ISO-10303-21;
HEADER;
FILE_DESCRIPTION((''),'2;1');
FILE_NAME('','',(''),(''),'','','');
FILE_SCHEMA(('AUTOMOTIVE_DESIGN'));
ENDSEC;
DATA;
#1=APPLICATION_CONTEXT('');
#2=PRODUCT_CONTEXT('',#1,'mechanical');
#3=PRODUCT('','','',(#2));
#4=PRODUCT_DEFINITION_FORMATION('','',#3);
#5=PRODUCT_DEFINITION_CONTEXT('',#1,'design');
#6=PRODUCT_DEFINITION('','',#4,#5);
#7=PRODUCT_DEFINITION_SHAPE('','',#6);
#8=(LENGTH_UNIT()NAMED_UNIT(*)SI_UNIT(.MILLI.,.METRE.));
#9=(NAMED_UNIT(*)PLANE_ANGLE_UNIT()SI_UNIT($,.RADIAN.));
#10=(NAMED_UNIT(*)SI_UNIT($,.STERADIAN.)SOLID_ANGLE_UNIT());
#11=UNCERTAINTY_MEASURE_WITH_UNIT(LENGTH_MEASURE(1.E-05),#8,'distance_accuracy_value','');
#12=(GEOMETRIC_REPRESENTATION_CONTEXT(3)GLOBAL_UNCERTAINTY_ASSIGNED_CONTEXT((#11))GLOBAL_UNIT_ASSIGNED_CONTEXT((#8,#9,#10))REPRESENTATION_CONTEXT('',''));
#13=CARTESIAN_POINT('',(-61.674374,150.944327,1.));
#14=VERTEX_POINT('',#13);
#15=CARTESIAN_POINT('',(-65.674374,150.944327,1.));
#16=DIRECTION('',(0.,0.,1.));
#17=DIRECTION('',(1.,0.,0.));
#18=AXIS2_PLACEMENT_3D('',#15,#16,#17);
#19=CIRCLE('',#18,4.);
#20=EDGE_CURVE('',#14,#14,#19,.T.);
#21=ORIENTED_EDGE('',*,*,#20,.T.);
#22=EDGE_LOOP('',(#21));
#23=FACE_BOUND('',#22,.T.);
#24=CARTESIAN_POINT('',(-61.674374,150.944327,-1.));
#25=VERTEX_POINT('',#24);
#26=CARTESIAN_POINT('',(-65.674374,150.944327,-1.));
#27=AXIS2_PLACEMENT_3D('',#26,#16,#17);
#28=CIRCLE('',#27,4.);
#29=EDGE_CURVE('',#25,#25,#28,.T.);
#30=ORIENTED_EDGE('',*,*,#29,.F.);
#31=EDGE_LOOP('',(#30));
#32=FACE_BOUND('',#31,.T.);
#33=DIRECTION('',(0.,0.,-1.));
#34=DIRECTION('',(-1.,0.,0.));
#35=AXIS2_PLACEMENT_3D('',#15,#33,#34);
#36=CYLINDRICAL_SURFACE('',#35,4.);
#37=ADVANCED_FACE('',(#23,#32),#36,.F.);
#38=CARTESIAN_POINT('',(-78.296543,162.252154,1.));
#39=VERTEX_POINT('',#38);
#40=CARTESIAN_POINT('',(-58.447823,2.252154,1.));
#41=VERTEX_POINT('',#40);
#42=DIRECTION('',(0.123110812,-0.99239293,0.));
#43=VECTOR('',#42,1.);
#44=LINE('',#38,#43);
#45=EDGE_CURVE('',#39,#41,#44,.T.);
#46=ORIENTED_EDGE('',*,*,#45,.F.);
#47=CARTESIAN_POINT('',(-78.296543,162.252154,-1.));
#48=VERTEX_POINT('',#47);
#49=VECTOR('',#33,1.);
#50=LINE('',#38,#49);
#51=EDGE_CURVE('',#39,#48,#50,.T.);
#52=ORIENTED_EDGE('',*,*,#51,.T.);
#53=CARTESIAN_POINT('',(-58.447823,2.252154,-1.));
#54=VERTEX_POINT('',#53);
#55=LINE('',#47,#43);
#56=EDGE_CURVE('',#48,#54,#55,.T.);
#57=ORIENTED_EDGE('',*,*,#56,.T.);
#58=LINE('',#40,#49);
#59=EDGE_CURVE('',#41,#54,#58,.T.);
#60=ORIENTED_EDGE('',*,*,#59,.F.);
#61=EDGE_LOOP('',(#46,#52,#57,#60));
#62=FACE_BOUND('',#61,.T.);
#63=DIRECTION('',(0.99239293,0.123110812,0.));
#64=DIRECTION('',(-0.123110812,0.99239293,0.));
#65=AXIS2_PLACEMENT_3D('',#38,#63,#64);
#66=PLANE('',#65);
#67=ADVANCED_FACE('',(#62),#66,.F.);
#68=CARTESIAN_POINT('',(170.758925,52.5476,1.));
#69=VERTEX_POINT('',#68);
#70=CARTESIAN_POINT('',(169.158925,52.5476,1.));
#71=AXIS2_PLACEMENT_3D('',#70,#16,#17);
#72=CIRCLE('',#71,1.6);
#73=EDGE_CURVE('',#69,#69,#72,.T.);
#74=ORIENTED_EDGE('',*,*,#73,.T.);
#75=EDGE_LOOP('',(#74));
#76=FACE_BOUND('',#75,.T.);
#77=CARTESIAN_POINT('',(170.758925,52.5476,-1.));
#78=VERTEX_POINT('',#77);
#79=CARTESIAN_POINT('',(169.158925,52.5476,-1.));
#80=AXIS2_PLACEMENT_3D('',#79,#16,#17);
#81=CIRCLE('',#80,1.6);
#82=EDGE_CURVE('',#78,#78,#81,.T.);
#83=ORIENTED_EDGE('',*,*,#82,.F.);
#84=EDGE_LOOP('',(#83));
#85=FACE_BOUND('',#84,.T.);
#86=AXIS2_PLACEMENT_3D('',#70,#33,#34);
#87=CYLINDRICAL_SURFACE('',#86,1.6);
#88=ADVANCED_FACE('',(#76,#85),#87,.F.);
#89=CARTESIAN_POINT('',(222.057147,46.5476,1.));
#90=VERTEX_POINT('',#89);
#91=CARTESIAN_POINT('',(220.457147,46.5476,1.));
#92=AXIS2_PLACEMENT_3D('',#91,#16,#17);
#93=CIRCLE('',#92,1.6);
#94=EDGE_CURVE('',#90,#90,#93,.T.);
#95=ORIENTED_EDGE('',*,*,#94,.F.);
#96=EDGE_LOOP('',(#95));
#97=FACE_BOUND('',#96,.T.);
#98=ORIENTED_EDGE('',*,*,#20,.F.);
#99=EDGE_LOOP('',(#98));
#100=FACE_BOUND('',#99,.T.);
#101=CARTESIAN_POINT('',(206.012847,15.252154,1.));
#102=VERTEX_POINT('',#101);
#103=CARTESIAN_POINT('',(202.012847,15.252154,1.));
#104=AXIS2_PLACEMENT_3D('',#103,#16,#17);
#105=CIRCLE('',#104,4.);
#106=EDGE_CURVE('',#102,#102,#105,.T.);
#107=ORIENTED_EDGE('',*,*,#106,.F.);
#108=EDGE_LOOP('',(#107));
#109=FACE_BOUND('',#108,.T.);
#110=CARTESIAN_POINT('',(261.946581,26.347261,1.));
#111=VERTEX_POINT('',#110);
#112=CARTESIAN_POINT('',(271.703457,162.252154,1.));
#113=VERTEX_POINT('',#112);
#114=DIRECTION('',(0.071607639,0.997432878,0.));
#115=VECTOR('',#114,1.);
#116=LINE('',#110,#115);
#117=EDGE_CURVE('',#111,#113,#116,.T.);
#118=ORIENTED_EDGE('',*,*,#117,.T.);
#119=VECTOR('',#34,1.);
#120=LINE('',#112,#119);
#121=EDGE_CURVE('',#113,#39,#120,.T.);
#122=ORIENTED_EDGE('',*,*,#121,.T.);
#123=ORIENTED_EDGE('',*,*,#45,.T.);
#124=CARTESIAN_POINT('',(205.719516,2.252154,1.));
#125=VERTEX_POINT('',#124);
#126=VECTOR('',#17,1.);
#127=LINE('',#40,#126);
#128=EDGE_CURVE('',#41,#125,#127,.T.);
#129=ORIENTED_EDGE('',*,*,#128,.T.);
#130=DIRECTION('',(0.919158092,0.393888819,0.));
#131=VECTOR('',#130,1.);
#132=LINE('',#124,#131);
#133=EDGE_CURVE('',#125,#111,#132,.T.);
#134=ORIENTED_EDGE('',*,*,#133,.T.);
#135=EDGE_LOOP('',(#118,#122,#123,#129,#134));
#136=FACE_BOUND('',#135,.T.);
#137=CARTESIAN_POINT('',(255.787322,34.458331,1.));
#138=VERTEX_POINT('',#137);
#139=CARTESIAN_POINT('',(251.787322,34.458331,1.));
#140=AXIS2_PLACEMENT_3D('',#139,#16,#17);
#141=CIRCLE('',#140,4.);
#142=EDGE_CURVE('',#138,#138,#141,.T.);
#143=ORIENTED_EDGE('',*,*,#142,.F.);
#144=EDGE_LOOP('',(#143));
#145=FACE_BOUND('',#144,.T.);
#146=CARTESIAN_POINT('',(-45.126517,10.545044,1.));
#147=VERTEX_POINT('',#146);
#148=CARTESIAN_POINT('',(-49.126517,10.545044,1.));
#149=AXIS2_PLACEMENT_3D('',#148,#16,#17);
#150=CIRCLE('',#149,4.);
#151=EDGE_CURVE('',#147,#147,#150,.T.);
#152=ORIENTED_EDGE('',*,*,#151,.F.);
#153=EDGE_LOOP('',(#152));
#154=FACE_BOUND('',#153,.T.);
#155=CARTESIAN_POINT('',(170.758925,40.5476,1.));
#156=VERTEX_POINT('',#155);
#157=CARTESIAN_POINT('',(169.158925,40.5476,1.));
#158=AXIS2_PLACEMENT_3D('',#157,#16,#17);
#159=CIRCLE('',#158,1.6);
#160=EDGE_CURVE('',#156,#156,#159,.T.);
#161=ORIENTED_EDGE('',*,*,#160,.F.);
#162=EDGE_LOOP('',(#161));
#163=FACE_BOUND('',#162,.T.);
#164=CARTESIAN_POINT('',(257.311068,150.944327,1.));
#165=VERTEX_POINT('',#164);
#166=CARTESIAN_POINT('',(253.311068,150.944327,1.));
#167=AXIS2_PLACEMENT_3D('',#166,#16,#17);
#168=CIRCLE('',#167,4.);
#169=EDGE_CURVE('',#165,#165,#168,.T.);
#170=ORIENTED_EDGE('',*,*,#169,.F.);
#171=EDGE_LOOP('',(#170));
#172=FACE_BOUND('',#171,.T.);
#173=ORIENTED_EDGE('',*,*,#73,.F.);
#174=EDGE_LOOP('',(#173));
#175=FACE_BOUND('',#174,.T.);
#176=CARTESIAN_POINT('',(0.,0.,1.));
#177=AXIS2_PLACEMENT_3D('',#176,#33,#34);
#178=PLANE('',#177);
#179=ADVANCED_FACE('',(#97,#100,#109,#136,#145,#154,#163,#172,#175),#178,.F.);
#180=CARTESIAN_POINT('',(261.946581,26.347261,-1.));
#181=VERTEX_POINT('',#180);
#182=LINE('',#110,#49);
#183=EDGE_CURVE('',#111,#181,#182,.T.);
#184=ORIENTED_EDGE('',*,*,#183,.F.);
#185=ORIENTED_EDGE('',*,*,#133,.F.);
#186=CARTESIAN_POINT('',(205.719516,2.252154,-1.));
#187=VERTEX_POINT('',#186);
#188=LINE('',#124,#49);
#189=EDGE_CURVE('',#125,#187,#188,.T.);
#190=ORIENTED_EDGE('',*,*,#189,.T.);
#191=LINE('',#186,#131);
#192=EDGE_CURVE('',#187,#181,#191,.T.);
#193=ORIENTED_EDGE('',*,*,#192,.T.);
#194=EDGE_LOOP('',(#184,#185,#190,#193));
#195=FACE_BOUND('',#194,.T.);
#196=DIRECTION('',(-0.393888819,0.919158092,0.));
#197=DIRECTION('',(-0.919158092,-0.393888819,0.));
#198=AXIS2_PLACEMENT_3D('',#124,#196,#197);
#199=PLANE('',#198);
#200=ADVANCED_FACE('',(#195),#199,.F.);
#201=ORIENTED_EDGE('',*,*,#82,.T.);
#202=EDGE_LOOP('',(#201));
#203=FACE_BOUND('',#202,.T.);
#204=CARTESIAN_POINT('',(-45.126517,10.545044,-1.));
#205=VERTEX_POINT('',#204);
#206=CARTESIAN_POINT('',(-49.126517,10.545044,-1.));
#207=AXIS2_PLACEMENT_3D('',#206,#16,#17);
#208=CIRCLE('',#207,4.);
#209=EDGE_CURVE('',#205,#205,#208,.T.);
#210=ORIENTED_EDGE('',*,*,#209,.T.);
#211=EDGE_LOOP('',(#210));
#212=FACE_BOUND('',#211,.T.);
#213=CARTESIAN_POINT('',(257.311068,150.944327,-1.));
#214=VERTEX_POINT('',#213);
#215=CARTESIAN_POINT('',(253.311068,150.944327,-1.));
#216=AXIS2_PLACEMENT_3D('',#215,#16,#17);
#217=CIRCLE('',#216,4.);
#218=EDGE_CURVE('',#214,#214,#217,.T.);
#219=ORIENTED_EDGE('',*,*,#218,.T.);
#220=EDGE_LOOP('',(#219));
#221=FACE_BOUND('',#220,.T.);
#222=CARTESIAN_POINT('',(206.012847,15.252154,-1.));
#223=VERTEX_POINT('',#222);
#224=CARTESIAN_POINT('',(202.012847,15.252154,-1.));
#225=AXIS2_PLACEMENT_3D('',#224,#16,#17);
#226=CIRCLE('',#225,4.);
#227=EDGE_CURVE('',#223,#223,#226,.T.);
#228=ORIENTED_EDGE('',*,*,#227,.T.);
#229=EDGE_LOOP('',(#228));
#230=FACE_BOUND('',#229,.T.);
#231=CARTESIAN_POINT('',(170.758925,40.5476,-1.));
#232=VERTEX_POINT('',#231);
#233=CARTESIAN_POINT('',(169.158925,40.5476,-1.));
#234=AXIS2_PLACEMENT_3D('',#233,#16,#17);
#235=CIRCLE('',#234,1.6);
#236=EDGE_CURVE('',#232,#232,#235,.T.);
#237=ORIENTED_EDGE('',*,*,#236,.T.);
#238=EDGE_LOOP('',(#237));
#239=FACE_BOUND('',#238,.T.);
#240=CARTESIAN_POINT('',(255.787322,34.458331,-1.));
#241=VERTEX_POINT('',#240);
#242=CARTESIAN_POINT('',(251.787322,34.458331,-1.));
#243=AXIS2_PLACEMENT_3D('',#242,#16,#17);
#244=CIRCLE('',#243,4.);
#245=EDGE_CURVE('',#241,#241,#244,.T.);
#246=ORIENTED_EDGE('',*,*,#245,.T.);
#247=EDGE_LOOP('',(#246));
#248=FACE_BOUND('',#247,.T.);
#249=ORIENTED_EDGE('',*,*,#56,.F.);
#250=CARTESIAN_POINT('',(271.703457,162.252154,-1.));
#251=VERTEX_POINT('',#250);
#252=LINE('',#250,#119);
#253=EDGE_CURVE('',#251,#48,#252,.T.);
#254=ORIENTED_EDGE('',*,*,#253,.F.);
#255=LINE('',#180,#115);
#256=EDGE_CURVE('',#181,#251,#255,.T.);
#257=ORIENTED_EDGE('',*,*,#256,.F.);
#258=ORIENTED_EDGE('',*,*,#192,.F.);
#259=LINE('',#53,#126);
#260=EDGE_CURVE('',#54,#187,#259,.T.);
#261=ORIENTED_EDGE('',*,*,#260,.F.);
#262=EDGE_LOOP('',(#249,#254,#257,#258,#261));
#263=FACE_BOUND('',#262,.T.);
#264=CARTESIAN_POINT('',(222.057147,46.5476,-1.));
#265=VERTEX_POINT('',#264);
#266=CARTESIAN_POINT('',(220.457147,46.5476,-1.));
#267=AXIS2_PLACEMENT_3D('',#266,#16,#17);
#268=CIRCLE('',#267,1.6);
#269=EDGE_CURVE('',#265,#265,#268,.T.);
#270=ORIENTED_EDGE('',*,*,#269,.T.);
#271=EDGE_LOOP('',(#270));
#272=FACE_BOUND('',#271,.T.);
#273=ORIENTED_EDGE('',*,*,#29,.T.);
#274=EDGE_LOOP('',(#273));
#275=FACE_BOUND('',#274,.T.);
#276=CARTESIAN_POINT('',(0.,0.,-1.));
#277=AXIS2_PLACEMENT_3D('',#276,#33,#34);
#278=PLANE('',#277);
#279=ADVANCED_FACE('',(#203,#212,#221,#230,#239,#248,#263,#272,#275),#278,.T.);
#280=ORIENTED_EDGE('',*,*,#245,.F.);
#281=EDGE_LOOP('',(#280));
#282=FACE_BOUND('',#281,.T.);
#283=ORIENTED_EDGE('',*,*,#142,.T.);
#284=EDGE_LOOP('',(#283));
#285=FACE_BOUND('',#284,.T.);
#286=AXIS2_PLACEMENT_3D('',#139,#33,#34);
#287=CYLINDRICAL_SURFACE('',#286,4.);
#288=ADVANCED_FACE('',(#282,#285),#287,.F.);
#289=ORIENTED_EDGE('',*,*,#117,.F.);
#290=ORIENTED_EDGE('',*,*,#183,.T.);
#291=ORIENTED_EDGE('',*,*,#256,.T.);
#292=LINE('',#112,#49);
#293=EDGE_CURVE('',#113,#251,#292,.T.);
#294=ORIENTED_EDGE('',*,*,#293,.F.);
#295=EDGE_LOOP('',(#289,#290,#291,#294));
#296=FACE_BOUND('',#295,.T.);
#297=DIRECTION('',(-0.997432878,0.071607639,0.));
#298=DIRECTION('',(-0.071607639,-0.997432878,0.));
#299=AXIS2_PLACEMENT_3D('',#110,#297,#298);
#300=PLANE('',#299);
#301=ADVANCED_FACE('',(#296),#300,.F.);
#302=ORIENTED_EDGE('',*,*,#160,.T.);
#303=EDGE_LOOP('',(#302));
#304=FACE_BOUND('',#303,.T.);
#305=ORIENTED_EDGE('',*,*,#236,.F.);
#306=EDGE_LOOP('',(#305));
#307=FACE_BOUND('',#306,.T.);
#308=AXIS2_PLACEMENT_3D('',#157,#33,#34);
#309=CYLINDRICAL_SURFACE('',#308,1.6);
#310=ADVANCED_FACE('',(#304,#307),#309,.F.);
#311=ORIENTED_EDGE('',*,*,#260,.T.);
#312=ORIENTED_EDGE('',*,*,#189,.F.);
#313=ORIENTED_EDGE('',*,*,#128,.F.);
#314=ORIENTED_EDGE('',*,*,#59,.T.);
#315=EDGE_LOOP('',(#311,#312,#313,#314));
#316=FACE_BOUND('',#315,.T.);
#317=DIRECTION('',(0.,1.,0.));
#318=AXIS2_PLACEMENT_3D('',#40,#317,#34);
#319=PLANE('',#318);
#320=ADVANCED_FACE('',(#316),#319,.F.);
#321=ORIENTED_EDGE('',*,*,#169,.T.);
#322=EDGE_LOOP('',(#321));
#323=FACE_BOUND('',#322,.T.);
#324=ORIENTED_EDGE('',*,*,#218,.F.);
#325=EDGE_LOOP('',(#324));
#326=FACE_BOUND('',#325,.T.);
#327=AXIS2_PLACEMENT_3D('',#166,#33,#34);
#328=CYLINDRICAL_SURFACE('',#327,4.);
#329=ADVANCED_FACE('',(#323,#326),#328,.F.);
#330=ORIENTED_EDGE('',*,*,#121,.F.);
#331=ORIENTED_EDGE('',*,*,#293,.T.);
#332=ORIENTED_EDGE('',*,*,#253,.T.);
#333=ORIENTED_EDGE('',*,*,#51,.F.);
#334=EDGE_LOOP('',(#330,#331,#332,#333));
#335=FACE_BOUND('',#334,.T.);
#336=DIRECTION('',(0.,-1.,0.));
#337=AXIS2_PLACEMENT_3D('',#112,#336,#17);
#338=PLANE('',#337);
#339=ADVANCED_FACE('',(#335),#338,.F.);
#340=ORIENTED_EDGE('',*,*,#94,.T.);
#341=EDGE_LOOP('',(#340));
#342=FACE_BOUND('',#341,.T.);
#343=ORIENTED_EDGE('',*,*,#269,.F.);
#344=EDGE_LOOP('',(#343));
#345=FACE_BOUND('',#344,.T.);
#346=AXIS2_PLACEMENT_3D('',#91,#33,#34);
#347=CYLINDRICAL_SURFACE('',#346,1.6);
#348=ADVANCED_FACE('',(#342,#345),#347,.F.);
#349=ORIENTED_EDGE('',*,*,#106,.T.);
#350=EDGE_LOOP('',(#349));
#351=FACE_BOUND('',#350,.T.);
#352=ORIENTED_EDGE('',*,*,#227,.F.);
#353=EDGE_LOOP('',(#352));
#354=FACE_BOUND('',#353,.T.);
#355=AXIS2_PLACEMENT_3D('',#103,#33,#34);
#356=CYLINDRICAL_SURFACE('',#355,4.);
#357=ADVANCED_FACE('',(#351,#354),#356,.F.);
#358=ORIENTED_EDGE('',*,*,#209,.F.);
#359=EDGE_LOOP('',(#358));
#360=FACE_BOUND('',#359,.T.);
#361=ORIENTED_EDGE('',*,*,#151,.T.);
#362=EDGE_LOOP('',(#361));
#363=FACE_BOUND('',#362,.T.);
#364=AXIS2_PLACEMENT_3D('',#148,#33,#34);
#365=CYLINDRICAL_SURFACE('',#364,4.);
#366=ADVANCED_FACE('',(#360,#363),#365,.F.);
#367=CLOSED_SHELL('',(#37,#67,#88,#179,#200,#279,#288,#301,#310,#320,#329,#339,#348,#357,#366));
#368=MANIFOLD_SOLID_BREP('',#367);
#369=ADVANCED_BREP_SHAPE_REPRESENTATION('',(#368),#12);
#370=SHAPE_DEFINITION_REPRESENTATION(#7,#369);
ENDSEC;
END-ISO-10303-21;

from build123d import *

# Parameters (mm, degrees)
SKETCH1_R           = 1.6
SKETCH1_R_2         = 4
BOSS_EXTRUDE1_DEPTH = 1


with BuildPart() as part:
    # Sketch1 → Boss-Extrude1 (new body, symmetric)
    with BuildSketch(Plane.XY):
        Polygon((-58.447822699, 2.25215401), (205.719516193, 2.25215401), (261.946581062, 26.347260557), (271.703456729, 162.25215401), (-78.296543271, 162.25215401), align=None)
        with Locations((169.158925411, 40.547600357)):
            Circle(SKETCH1_R, mode=Mode.SUBTRACT)
        with Locations((169.158925411, 52.547600357)):
            Circle(SKETCH1_R, mode=Mode.SUBTRACT)
        with Locations((220.457146693, 46.547600357)):
            Circle(SKETCH1_R, mode=Mode.SUBTRACT)
        with Locations((-65.674373942, 150.94432728)):
            Circle(SKETCH1_R_2, mode=Mode.SUBTRACT)
        with Locations((253.311068017, 150.94432728)):
            Circle(SKETCH1_R_2, mode=Mode.SUBTRACT)
        with Locations((251.787322425, 34.458331013)):
            Circle(SKETCH1_R_2, mode=Mode.SUBTRACT)
        with Locations((202.012846736, 15.25215401)):
            Circle(SKETCH1_R_2, mode=Mode.SUBTRACT)
        with Locations((-49.126516792, 10.545043982)):
            Circle(SKETCH1_R_2, mode=Mode.SUBTRACT)
    extrude(amount=BOSS_EXTRUDE1_DEPTH, both=True)


solid = part.part
